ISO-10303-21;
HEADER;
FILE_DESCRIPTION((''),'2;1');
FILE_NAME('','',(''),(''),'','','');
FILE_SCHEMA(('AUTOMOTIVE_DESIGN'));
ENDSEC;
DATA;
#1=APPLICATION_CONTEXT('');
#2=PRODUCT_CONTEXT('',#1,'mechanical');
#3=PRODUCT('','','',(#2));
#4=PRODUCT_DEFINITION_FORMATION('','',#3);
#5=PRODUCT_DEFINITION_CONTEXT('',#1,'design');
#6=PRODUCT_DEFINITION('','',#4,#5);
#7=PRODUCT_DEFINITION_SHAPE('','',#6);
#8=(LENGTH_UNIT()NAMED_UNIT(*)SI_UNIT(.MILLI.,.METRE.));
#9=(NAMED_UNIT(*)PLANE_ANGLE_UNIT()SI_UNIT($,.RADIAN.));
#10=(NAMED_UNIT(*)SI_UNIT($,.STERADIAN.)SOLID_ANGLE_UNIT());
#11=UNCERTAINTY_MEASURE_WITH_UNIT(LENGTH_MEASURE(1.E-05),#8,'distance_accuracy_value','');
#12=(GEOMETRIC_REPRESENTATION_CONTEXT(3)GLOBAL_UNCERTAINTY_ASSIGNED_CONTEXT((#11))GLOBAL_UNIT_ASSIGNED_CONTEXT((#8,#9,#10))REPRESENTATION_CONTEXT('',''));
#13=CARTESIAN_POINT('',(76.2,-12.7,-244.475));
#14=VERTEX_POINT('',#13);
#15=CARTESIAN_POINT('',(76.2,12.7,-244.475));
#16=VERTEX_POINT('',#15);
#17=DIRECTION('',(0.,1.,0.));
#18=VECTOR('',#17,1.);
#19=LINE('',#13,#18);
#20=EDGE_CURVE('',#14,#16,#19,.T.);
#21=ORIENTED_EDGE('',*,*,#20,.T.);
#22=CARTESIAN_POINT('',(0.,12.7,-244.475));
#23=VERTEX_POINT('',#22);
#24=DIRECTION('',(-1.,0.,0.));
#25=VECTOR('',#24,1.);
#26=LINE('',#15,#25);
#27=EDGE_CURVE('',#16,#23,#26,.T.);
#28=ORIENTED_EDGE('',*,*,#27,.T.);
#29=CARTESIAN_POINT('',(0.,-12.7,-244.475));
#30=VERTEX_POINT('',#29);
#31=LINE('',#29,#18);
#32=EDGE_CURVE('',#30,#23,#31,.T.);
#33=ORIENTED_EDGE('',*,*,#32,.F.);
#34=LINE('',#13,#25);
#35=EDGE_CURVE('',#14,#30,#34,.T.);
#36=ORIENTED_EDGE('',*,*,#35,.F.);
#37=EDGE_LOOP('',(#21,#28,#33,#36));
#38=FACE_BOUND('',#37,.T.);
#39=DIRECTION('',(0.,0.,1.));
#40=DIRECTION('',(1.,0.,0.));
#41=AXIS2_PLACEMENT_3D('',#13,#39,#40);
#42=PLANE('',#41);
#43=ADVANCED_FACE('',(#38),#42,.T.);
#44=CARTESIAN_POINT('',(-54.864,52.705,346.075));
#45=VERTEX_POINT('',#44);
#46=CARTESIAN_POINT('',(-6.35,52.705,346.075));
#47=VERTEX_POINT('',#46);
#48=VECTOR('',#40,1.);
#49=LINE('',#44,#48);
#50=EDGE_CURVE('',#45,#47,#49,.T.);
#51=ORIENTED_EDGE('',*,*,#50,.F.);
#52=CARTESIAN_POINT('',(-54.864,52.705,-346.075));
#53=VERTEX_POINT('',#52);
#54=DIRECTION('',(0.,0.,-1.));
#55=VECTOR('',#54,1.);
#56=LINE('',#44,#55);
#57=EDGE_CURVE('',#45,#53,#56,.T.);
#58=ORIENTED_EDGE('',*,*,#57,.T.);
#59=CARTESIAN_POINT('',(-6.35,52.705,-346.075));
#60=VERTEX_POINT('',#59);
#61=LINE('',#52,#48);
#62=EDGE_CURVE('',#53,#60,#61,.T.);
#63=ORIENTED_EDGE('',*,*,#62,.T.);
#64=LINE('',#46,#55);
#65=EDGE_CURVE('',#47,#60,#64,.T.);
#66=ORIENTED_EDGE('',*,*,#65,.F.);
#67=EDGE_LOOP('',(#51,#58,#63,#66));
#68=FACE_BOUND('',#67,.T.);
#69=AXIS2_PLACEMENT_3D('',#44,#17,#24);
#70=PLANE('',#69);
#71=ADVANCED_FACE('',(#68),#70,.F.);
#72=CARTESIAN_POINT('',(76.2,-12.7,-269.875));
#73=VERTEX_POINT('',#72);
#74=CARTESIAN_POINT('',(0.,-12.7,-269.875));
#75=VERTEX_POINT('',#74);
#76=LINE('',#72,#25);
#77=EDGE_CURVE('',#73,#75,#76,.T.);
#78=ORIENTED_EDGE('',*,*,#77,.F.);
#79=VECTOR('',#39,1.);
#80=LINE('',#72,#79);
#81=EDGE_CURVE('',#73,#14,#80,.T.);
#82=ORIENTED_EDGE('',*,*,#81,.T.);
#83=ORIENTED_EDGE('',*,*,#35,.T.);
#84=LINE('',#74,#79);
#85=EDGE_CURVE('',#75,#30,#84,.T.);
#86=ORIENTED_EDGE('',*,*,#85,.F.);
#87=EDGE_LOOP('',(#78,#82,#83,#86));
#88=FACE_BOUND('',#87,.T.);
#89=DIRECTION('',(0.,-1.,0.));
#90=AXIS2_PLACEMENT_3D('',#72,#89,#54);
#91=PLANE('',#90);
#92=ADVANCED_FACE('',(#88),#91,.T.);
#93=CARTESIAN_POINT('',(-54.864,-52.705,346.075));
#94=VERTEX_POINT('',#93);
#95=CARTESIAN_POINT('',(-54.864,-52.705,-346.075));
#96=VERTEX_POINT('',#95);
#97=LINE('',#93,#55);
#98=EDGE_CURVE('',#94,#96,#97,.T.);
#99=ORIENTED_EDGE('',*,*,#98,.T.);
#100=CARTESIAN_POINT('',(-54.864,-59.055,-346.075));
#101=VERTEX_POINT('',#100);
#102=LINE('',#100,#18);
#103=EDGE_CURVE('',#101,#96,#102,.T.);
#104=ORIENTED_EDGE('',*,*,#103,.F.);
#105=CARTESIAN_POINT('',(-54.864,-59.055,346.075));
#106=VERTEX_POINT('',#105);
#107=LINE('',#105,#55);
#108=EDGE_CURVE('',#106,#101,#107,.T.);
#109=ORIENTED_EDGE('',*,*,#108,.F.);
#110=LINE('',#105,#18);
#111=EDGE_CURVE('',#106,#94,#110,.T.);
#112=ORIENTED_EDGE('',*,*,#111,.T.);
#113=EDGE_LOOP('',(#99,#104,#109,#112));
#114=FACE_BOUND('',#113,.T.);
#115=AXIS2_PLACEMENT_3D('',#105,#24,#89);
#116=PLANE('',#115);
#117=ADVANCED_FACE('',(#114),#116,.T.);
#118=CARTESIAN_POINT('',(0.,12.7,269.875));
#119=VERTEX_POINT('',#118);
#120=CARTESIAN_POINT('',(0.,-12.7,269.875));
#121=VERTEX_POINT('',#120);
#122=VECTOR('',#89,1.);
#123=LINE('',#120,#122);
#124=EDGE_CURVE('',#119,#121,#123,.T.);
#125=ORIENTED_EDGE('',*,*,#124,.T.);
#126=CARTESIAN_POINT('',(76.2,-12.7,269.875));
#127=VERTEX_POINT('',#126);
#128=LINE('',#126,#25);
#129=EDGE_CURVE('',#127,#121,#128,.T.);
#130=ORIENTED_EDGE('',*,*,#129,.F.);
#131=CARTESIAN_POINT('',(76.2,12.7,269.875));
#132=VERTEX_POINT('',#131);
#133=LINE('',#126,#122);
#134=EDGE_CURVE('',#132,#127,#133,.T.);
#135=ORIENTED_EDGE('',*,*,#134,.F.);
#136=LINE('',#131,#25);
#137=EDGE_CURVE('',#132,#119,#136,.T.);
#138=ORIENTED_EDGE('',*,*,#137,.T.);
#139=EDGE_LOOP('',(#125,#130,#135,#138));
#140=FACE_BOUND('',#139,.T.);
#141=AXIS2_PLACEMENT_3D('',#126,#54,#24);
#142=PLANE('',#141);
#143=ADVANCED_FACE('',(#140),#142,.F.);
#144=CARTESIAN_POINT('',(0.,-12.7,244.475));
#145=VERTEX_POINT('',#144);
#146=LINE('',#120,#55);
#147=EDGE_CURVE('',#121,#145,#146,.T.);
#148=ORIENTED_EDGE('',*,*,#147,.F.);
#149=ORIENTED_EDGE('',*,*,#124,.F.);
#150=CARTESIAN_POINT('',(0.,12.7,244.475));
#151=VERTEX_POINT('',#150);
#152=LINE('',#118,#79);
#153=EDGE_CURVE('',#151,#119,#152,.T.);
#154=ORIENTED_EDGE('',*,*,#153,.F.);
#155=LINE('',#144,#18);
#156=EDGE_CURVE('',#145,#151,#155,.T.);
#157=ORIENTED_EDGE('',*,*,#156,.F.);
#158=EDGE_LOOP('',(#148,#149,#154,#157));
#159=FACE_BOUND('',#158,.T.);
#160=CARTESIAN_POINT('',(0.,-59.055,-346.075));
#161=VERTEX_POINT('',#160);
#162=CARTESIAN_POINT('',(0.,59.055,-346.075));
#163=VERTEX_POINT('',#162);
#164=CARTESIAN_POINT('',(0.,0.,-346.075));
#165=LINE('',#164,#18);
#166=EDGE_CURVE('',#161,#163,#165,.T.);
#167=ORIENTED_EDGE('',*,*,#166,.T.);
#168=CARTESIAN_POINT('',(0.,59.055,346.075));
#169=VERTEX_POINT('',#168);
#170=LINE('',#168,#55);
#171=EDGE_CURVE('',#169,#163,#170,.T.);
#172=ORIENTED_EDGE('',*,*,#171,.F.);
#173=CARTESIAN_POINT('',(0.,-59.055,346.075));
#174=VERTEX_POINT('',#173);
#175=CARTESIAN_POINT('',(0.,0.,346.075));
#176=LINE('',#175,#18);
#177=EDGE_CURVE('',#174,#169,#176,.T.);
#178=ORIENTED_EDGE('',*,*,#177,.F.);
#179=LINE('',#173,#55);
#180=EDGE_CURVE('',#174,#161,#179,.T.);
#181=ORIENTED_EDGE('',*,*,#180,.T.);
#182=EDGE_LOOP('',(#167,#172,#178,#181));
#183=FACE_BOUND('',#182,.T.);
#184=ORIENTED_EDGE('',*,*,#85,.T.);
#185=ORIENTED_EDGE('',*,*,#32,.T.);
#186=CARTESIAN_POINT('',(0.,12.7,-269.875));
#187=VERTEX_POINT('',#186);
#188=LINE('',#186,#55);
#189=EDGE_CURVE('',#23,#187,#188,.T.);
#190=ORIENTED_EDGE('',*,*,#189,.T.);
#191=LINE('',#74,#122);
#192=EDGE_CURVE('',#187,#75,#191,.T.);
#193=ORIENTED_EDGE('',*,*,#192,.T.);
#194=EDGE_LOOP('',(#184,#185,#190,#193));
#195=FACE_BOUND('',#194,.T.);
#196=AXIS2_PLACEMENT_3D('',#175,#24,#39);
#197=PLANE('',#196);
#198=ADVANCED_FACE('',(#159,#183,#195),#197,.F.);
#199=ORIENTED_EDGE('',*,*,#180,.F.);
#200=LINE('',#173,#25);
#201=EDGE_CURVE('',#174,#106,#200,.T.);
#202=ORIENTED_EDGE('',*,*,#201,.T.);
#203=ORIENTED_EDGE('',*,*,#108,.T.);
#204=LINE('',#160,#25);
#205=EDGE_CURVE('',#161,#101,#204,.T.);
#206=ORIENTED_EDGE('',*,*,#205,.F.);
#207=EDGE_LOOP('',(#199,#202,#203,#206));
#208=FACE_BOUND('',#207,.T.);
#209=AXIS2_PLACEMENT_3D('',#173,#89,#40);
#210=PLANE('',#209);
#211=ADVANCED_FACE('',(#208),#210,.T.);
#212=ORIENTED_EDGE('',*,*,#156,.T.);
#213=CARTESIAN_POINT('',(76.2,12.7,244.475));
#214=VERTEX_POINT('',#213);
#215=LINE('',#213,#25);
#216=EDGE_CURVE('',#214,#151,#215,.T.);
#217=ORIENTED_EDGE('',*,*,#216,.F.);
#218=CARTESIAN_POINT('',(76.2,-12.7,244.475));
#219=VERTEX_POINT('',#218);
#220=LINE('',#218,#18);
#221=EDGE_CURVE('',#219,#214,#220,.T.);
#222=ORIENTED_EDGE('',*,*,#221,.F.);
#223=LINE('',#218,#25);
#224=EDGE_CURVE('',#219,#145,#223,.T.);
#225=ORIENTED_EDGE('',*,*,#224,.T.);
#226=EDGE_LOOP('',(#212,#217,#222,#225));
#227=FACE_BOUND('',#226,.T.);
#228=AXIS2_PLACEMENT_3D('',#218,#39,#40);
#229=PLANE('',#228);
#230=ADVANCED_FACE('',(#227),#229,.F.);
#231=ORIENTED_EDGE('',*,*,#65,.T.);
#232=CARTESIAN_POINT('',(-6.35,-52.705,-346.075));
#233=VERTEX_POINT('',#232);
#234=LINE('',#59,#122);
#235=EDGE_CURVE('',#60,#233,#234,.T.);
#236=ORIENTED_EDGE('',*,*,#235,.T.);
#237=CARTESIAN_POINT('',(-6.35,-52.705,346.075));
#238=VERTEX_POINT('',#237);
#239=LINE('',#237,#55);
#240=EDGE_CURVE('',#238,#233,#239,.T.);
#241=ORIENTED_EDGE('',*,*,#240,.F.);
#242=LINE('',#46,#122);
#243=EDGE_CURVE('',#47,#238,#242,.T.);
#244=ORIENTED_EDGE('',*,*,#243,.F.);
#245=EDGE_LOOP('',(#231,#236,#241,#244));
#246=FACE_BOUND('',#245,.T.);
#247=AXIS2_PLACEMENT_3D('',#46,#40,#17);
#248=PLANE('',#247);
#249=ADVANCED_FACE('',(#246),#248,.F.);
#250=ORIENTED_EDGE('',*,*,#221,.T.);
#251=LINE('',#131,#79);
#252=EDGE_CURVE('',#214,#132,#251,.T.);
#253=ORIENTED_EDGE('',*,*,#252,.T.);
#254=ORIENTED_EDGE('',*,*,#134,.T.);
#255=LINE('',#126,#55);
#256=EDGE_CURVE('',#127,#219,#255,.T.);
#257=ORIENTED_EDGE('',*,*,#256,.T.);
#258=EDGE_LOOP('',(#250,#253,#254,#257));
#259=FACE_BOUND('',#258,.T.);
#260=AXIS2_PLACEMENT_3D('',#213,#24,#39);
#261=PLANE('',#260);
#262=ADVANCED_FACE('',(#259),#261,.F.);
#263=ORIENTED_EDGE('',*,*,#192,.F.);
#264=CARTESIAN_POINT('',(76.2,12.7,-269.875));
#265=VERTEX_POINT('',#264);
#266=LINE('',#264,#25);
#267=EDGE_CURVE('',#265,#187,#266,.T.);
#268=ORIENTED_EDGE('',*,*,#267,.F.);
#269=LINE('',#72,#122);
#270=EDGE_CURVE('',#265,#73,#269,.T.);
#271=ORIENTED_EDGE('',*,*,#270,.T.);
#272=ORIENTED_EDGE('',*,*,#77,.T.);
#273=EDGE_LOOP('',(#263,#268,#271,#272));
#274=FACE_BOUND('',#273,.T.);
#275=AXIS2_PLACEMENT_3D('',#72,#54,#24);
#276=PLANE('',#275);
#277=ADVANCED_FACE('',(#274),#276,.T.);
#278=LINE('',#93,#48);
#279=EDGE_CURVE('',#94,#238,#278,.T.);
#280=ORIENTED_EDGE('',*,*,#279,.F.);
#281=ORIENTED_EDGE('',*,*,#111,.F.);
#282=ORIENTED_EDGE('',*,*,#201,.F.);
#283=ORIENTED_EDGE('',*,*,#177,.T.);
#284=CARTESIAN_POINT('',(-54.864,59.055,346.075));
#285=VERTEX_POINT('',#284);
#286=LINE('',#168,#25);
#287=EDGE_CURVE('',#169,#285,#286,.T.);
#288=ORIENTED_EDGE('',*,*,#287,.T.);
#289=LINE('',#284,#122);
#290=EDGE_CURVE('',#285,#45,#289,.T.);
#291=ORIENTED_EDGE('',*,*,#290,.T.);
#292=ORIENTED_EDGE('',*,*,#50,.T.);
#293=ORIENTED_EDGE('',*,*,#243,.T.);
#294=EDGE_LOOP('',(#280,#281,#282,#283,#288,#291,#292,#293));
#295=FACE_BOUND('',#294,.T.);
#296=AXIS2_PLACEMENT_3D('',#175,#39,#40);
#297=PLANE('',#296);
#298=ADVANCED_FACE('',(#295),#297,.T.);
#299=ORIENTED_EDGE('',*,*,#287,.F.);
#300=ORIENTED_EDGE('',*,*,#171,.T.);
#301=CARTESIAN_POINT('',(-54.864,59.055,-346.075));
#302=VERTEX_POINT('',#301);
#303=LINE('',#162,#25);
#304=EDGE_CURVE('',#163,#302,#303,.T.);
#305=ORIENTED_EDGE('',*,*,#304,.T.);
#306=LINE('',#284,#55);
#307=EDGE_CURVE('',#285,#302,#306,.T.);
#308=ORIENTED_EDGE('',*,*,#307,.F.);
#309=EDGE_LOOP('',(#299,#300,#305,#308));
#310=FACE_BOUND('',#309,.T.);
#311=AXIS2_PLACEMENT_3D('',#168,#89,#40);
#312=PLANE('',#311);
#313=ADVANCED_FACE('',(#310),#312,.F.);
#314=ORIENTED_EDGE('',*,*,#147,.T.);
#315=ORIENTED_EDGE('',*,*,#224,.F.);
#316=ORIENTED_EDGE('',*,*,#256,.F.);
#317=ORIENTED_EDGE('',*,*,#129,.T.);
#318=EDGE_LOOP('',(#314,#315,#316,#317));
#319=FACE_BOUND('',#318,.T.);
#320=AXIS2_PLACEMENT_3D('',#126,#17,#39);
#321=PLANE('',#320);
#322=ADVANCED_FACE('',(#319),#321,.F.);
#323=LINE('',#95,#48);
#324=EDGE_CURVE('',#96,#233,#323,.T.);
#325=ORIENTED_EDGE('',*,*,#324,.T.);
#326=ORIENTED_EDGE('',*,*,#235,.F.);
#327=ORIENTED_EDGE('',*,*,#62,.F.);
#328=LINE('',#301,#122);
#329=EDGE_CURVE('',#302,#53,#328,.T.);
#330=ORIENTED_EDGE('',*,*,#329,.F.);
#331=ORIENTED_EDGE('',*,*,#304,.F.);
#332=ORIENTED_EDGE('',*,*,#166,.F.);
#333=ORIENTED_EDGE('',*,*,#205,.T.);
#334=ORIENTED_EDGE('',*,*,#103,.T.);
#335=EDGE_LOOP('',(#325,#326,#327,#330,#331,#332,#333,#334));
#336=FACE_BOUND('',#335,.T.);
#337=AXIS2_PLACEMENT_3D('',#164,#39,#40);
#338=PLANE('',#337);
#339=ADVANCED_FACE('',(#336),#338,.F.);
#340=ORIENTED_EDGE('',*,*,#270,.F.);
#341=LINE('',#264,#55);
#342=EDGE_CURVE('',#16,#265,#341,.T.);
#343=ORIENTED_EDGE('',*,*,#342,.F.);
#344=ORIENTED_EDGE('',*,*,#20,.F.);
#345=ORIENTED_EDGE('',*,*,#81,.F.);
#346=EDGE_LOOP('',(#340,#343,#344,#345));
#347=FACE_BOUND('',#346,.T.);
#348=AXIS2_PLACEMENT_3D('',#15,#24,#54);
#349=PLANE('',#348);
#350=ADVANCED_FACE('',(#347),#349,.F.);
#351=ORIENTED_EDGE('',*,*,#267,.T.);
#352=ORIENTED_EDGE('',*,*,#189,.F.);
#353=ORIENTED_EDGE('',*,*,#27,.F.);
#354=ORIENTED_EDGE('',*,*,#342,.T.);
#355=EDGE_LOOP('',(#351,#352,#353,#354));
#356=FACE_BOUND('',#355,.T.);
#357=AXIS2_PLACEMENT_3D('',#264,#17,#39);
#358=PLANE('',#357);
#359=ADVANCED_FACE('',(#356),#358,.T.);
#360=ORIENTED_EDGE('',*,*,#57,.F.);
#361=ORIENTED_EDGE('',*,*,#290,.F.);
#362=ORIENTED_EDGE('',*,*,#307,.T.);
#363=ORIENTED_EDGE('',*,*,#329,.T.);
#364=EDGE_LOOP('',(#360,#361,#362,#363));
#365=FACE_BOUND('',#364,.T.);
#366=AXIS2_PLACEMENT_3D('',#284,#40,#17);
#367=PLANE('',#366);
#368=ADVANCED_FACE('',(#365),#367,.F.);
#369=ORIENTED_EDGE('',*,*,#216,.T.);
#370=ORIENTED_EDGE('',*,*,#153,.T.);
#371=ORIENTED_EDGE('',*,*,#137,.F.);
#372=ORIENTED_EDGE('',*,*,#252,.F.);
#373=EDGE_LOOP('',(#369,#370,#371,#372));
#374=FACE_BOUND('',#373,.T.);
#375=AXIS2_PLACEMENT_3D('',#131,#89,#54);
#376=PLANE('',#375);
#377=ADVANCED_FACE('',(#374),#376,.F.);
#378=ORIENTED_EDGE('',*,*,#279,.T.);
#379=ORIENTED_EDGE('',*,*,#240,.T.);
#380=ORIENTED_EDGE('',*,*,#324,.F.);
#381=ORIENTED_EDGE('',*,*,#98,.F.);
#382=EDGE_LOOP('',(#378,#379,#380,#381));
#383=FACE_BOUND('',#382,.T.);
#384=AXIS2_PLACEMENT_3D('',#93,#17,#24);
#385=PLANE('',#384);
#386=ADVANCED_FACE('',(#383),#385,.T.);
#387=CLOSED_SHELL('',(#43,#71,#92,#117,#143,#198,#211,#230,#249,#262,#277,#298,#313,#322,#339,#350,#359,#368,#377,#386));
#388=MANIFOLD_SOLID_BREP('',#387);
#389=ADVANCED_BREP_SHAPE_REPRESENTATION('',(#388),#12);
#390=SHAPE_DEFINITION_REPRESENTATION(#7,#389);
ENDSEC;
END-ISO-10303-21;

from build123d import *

# Parameters (mm, degrees)
BOSS_EXTRUDE1_DEPTH = 346.075
SKETCH2_W           = 25.4
SKETCH2_H           = 25.4
BOSS_EXTRUDE2_DEPTH = 76.2


with BuildPart() as part:
    # Sketch1 → Boss-Extrude1 (new body, symmetric)
    with BuildSketch(Plane.XY):
        Polygon((0, 0), (0, 59.055), (-54.864, 59.055), (-54.864, 52.705), (-6.35, 52.705), (-6.35, 0), align=None)
    boss_extrude1 = extrude(amount=BOSS_EXTRUDE1_DEPTH, both=True)

    # Mirror1: Boss-Extrude1 across plane
    add(boss_extrude1.mirror(Plane(origin=(-6.35, 0, 346.075), x_dir=(0, 0, 1), z_dir=(0, 1, 0))))

    # Sketch2 → Boss-Extrude2 (add)
    with BuildSketch(Plane(origin=(0, 0, 0), x_dir=(0, 0, -1), z_dir=(1, 0, 0))):
        with Locations((-257.175, 0)):
            Rectangle(SKETCH2_W, SKETCH2_H)
    boss_extrude2 = extrude(amount=BOSS_EXTRUDE2_DEPTH)

    # Mirror2: Boss-Extrude2 across plane
    add(boss_extrude2.mirror(Plane.XY))


solid = part.part
